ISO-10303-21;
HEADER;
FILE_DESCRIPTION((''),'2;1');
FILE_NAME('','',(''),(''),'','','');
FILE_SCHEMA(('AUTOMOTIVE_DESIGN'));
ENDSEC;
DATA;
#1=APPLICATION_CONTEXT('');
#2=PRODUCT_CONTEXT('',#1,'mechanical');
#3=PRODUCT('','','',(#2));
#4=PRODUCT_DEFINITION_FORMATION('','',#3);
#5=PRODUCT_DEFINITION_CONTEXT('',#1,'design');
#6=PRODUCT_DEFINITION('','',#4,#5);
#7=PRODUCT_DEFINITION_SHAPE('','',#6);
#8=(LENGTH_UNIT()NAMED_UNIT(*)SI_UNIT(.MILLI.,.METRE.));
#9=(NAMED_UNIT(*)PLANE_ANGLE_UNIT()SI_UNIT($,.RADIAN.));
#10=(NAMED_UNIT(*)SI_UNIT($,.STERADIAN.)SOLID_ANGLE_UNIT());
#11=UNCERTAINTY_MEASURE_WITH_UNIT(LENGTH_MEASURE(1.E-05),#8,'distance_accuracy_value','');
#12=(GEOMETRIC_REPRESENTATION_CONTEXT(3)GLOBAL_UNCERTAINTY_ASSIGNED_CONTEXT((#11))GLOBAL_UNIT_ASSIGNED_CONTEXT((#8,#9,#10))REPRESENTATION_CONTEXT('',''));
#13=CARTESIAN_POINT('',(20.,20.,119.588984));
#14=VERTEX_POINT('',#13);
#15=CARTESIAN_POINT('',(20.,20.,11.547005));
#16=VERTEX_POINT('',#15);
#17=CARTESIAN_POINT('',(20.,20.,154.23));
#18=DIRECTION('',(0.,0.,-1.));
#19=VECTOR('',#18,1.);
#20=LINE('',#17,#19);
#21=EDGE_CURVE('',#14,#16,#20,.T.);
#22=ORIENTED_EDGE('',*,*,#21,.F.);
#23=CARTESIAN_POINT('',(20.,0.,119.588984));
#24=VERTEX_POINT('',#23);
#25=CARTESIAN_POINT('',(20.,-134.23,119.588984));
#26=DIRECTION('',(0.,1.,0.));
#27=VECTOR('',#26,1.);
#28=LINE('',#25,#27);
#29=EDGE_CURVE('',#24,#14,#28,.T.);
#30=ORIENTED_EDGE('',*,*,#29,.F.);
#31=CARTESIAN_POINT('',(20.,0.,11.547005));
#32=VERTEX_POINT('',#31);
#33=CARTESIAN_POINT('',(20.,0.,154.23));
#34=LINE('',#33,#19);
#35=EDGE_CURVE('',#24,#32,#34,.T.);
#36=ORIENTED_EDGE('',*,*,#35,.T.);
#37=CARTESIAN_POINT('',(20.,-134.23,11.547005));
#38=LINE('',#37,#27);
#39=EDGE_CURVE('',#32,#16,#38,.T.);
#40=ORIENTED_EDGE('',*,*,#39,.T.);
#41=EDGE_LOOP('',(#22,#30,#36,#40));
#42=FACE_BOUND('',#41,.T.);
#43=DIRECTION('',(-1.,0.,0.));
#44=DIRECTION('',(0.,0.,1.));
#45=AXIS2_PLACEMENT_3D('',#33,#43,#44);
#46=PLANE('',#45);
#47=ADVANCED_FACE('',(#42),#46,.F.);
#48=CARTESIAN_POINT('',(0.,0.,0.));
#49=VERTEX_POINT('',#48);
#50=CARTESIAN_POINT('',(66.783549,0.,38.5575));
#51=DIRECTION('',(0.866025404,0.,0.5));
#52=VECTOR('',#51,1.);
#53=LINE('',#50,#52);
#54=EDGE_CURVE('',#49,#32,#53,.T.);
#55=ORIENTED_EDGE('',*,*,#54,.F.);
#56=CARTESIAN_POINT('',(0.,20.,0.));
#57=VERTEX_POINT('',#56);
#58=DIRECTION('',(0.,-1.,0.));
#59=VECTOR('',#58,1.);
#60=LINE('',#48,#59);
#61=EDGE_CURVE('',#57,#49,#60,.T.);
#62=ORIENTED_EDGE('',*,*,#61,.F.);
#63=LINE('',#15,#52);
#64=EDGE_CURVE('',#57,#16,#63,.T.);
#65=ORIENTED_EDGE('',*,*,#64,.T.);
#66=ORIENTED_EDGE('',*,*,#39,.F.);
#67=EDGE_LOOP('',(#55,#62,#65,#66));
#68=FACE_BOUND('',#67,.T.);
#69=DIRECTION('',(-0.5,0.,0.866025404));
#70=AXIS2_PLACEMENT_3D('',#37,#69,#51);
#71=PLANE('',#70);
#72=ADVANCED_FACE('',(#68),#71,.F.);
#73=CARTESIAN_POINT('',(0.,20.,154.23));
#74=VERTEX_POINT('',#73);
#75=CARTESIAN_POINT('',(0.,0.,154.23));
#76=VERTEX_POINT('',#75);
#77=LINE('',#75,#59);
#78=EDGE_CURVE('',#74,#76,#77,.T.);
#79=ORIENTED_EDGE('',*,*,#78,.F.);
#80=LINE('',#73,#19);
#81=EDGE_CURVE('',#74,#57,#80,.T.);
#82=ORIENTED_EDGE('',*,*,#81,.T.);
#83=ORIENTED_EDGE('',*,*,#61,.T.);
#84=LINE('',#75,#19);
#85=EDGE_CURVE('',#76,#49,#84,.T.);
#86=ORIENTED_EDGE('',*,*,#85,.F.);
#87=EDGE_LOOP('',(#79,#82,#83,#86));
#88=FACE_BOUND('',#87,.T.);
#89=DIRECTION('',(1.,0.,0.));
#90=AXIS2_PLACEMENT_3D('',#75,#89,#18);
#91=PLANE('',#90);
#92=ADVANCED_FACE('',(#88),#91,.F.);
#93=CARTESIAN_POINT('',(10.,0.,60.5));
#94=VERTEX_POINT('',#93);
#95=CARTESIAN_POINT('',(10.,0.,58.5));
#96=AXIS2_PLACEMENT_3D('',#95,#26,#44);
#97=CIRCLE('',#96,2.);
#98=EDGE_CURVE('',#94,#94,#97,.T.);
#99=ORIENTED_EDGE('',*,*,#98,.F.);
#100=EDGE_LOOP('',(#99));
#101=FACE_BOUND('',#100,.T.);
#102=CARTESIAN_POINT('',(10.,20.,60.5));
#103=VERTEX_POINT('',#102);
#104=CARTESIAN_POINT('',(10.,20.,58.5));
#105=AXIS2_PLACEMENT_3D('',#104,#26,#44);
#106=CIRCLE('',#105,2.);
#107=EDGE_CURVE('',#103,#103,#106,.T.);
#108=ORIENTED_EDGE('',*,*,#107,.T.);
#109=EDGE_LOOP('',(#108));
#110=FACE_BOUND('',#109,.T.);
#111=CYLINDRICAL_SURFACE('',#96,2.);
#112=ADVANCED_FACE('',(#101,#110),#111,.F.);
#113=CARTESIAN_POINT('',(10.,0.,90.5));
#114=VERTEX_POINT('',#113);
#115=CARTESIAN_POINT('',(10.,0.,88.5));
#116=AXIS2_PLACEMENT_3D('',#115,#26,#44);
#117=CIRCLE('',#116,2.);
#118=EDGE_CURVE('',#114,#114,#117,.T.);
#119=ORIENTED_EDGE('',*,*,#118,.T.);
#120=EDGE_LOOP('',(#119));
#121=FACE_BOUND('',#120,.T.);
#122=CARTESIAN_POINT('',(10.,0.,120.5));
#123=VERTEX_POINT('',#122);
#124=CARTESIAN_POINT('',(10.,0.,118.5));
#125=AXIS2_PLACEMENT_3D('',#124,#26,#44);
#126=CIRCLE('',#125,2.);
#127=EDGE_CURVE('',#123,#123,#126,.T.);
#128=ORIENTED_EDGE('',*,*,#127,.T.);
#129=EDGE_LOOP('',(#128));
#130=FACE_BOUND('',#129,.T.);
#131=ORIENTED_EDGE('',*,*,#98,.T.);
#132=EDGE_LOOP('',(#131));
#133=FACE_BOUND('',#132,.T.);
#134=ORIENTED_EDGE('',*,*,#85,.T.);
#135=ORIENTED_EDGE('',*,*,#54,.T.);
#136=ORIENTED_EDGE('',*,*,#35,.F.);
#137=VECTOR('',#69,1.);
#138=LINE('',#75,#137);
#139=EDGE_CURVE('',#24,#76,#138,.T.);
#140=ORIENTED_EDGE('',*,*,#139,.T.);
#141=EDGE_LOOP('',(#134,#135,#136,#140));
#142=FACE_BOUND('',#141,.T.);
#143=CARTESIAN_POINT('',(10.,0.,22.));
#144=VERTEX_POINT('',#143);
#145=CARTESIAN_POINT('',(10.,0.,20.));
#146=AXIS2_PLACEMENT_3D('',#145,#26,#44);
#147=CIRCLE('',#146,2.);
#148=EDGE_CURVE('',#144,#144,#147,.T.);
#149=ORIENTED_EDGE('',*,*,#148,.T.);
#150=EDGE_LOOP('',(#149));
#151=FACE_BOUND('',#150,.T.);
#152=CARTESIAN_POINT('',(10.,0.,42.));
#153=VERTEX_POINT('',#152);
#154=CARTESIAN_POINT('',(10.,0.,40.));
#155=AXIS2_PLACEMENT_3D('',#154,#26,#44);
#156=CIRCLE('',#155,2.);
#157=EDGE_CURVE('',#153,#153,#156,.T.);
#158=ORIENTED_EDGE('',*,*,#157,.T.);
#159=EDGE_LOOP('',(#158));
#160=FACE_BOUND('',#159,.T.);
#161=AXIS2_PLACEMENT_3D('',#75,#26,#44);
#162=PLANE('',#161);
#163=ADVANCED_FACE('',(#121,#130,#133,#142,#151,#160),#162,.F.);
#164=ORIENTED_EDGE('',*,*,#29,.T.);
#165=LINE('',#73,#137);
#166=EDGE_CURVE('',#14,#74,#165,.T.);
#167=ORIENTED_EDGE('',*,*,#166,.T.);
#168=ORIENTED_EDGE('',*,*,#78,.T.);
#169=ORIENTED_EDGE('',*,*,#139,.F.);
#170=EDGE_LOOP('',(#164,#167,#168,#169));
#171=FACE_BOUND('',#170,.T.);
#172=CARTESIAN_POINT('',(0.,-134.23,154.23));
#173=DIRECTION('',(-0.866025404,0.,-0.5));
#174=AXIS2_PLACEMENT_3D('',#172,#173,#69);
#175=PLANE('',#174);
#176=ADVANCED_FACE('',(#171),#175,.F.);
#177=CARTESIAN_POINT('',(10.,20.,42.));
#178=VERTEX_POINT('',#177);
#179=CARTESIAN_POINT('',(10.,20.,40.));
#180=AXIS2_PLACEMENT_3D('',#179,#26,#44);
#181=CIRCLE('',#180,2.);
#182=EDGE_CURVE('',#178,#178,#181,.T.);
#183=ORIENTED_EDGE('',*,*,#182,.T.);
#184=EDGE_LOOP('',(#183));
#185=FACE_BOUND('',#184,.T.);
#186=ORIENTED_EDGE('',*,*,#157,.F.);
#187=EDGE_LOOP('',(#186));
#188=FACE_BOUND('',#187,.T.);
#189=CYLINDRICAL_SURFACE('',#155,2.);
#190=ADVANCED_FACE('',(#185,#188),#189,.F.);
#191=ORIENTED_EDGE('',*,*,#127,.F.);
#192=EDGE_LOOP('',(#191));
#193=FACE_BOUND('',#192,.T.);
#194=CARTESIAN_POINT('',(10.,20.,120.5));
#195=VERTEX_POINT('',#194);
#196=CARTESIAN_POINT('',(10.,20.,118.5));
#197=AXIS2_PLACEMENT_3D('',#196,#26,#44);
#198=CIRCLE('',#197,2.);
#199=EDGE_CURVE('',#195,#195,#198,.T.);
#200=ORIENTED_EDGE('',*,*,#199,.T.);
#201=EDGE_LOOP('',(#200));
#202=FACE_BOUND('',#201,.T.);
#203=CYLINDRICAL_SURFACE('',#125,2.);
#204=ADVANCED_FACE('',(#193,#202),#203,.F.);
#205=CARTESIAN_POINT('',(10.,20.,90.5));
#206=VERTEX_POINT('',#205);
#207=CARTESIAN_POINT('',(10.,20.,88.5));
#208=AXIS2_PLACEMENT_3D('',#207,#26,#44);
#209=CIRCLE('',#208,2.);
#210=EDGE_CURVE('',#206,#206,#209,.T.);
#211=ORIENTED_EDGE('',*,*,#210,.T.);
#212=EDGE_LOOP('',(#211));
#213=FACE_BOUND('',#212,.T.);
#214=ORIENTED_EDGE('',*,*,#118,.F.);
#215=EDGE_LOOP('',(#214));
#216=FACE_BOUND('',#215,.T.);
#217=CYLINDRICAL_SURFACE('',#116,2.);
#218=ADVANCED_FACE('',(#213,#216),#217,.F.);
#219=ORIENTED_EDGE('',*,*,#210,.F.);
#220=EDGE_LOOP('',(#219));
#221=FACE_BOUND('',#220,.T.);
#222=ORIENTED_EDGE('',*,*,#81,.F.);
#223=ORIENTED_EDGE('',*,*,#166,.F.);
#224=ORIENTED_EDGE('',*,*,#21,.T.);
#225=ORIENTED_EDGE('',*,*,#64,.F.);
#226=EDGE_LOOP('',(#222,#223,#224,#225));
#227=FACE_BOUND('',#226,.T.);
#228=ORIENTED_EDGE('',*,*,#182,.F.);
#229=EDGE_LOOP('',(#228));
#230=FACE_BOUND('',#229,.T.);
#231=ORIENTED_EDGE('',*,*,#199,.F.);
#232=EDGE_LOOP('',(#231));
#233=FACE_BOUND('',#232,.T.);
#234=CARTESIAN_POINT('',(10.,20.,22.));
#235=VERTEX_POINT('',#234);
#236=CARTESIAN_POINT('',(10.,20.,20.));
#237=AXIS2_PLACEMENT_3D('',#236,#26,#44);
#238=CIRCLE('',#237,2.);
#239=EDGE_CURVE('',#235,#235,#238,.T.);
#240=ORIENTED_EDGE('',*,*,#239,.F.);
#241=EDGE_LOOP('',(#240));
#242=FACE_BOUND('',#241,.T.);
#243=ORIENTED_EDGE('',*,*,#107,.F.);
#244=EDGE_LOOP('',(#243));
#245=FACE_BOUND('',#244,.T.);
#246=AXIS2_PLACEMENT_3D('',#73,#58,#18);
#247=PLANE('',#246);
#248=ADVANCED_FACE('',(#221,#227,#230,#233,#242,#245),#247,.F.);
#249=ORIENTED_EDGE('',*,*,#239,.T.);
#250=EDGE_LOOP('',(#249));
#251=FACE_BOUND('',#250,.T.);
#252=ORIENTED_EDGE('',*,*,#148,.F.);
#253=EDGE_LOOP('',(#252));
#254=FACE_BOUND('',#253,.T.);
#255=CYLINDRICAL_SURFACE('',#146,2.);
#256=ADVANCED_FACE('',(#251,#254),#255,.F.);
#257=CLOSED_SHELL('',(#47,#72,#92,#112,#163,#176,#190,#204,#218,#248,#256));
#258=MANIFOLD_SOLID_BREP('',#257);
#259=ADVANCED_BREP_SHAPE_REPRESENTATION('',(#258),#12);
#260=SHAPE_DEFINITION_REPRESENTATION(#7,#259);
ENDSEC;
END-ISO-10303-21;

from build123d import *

# Parameters (mm, degrees)
SKETCH_1_W               = 20
SKETCH_1_H               = 20
EXTRUDE_1_DEPTH          = 154.23
CUT_EXTRUDE_1_DEPTH      = 154.23
CUT_EXTRUDE_2_DEPTH      = 157.802081938
CUT_EXTRUDE_2_DEPTH_BACK = 157.802081938
SKETCH_3_R               = 2


with BuildPart() as part:
    # 草图1 → 凸台-拉伸1 (new body)
    with BuildSketch(Plane.XY):
        with Locations((10, 10)):
            Rectangle(SKETCH_1_W, SKETCH_1_H)
    extrude(amount=EXTRUDE_1_DEPTH)

    # 草图2 → 切除-拉伸1 (cut)
    with BuildSketch(Plane(origin=(0, 20, 0), x_dir=(1, 0, 0), z_dir=(0, 1, 0))):
        Polygon((0, -154.23), (20, -119.588983849), (20, -154.23), align=None)
        Polygon((20, -11.547005384), (0, 0), (20, 0), align=None)
    extrude(amount=-CUT_EXTRUDE_1_DEPTH, mode=Mode.SUBTRACT)

    # 草图3 → 切除-拉伸2 (cut, two sides: drawn at the far end of the back side and taken through both)
    with BuildSketch(Plane(origin=(0, 20, 0), x_dir=(1, 0, 0), z_dir=(0, 1, 0)).offset(-CUT_EXTRUDE_2_DEPTH_BACK)):
        with Locations(Location((10, -88.5, 0), (0, 0, 270))):
            Circle(SKETCH_3_R)
        with Locations(Location((10, -118.5, 0), (0, 0, 270))):
            Circle(SKETCH_3_R)
        with Locations(Location((10, -58.5, 0), (0, 0, 270))):
            Circle(SKETCH_3_R)
        with Locations(Location((10, -20, 0), (0, 0, 270))):
            Circle(SKETCH_3_R)
        with Locations(Location((10, -40, 0), (0, 0, 270))):
            Circle(SKETCH_3_R)
    extrude(amount=CUT_EXTRUDE_2_DEPTH + CUT_EXTRUDE_2_DEPTH_BACK, mode=Mode.SUBTRACT)


solid = part.part
